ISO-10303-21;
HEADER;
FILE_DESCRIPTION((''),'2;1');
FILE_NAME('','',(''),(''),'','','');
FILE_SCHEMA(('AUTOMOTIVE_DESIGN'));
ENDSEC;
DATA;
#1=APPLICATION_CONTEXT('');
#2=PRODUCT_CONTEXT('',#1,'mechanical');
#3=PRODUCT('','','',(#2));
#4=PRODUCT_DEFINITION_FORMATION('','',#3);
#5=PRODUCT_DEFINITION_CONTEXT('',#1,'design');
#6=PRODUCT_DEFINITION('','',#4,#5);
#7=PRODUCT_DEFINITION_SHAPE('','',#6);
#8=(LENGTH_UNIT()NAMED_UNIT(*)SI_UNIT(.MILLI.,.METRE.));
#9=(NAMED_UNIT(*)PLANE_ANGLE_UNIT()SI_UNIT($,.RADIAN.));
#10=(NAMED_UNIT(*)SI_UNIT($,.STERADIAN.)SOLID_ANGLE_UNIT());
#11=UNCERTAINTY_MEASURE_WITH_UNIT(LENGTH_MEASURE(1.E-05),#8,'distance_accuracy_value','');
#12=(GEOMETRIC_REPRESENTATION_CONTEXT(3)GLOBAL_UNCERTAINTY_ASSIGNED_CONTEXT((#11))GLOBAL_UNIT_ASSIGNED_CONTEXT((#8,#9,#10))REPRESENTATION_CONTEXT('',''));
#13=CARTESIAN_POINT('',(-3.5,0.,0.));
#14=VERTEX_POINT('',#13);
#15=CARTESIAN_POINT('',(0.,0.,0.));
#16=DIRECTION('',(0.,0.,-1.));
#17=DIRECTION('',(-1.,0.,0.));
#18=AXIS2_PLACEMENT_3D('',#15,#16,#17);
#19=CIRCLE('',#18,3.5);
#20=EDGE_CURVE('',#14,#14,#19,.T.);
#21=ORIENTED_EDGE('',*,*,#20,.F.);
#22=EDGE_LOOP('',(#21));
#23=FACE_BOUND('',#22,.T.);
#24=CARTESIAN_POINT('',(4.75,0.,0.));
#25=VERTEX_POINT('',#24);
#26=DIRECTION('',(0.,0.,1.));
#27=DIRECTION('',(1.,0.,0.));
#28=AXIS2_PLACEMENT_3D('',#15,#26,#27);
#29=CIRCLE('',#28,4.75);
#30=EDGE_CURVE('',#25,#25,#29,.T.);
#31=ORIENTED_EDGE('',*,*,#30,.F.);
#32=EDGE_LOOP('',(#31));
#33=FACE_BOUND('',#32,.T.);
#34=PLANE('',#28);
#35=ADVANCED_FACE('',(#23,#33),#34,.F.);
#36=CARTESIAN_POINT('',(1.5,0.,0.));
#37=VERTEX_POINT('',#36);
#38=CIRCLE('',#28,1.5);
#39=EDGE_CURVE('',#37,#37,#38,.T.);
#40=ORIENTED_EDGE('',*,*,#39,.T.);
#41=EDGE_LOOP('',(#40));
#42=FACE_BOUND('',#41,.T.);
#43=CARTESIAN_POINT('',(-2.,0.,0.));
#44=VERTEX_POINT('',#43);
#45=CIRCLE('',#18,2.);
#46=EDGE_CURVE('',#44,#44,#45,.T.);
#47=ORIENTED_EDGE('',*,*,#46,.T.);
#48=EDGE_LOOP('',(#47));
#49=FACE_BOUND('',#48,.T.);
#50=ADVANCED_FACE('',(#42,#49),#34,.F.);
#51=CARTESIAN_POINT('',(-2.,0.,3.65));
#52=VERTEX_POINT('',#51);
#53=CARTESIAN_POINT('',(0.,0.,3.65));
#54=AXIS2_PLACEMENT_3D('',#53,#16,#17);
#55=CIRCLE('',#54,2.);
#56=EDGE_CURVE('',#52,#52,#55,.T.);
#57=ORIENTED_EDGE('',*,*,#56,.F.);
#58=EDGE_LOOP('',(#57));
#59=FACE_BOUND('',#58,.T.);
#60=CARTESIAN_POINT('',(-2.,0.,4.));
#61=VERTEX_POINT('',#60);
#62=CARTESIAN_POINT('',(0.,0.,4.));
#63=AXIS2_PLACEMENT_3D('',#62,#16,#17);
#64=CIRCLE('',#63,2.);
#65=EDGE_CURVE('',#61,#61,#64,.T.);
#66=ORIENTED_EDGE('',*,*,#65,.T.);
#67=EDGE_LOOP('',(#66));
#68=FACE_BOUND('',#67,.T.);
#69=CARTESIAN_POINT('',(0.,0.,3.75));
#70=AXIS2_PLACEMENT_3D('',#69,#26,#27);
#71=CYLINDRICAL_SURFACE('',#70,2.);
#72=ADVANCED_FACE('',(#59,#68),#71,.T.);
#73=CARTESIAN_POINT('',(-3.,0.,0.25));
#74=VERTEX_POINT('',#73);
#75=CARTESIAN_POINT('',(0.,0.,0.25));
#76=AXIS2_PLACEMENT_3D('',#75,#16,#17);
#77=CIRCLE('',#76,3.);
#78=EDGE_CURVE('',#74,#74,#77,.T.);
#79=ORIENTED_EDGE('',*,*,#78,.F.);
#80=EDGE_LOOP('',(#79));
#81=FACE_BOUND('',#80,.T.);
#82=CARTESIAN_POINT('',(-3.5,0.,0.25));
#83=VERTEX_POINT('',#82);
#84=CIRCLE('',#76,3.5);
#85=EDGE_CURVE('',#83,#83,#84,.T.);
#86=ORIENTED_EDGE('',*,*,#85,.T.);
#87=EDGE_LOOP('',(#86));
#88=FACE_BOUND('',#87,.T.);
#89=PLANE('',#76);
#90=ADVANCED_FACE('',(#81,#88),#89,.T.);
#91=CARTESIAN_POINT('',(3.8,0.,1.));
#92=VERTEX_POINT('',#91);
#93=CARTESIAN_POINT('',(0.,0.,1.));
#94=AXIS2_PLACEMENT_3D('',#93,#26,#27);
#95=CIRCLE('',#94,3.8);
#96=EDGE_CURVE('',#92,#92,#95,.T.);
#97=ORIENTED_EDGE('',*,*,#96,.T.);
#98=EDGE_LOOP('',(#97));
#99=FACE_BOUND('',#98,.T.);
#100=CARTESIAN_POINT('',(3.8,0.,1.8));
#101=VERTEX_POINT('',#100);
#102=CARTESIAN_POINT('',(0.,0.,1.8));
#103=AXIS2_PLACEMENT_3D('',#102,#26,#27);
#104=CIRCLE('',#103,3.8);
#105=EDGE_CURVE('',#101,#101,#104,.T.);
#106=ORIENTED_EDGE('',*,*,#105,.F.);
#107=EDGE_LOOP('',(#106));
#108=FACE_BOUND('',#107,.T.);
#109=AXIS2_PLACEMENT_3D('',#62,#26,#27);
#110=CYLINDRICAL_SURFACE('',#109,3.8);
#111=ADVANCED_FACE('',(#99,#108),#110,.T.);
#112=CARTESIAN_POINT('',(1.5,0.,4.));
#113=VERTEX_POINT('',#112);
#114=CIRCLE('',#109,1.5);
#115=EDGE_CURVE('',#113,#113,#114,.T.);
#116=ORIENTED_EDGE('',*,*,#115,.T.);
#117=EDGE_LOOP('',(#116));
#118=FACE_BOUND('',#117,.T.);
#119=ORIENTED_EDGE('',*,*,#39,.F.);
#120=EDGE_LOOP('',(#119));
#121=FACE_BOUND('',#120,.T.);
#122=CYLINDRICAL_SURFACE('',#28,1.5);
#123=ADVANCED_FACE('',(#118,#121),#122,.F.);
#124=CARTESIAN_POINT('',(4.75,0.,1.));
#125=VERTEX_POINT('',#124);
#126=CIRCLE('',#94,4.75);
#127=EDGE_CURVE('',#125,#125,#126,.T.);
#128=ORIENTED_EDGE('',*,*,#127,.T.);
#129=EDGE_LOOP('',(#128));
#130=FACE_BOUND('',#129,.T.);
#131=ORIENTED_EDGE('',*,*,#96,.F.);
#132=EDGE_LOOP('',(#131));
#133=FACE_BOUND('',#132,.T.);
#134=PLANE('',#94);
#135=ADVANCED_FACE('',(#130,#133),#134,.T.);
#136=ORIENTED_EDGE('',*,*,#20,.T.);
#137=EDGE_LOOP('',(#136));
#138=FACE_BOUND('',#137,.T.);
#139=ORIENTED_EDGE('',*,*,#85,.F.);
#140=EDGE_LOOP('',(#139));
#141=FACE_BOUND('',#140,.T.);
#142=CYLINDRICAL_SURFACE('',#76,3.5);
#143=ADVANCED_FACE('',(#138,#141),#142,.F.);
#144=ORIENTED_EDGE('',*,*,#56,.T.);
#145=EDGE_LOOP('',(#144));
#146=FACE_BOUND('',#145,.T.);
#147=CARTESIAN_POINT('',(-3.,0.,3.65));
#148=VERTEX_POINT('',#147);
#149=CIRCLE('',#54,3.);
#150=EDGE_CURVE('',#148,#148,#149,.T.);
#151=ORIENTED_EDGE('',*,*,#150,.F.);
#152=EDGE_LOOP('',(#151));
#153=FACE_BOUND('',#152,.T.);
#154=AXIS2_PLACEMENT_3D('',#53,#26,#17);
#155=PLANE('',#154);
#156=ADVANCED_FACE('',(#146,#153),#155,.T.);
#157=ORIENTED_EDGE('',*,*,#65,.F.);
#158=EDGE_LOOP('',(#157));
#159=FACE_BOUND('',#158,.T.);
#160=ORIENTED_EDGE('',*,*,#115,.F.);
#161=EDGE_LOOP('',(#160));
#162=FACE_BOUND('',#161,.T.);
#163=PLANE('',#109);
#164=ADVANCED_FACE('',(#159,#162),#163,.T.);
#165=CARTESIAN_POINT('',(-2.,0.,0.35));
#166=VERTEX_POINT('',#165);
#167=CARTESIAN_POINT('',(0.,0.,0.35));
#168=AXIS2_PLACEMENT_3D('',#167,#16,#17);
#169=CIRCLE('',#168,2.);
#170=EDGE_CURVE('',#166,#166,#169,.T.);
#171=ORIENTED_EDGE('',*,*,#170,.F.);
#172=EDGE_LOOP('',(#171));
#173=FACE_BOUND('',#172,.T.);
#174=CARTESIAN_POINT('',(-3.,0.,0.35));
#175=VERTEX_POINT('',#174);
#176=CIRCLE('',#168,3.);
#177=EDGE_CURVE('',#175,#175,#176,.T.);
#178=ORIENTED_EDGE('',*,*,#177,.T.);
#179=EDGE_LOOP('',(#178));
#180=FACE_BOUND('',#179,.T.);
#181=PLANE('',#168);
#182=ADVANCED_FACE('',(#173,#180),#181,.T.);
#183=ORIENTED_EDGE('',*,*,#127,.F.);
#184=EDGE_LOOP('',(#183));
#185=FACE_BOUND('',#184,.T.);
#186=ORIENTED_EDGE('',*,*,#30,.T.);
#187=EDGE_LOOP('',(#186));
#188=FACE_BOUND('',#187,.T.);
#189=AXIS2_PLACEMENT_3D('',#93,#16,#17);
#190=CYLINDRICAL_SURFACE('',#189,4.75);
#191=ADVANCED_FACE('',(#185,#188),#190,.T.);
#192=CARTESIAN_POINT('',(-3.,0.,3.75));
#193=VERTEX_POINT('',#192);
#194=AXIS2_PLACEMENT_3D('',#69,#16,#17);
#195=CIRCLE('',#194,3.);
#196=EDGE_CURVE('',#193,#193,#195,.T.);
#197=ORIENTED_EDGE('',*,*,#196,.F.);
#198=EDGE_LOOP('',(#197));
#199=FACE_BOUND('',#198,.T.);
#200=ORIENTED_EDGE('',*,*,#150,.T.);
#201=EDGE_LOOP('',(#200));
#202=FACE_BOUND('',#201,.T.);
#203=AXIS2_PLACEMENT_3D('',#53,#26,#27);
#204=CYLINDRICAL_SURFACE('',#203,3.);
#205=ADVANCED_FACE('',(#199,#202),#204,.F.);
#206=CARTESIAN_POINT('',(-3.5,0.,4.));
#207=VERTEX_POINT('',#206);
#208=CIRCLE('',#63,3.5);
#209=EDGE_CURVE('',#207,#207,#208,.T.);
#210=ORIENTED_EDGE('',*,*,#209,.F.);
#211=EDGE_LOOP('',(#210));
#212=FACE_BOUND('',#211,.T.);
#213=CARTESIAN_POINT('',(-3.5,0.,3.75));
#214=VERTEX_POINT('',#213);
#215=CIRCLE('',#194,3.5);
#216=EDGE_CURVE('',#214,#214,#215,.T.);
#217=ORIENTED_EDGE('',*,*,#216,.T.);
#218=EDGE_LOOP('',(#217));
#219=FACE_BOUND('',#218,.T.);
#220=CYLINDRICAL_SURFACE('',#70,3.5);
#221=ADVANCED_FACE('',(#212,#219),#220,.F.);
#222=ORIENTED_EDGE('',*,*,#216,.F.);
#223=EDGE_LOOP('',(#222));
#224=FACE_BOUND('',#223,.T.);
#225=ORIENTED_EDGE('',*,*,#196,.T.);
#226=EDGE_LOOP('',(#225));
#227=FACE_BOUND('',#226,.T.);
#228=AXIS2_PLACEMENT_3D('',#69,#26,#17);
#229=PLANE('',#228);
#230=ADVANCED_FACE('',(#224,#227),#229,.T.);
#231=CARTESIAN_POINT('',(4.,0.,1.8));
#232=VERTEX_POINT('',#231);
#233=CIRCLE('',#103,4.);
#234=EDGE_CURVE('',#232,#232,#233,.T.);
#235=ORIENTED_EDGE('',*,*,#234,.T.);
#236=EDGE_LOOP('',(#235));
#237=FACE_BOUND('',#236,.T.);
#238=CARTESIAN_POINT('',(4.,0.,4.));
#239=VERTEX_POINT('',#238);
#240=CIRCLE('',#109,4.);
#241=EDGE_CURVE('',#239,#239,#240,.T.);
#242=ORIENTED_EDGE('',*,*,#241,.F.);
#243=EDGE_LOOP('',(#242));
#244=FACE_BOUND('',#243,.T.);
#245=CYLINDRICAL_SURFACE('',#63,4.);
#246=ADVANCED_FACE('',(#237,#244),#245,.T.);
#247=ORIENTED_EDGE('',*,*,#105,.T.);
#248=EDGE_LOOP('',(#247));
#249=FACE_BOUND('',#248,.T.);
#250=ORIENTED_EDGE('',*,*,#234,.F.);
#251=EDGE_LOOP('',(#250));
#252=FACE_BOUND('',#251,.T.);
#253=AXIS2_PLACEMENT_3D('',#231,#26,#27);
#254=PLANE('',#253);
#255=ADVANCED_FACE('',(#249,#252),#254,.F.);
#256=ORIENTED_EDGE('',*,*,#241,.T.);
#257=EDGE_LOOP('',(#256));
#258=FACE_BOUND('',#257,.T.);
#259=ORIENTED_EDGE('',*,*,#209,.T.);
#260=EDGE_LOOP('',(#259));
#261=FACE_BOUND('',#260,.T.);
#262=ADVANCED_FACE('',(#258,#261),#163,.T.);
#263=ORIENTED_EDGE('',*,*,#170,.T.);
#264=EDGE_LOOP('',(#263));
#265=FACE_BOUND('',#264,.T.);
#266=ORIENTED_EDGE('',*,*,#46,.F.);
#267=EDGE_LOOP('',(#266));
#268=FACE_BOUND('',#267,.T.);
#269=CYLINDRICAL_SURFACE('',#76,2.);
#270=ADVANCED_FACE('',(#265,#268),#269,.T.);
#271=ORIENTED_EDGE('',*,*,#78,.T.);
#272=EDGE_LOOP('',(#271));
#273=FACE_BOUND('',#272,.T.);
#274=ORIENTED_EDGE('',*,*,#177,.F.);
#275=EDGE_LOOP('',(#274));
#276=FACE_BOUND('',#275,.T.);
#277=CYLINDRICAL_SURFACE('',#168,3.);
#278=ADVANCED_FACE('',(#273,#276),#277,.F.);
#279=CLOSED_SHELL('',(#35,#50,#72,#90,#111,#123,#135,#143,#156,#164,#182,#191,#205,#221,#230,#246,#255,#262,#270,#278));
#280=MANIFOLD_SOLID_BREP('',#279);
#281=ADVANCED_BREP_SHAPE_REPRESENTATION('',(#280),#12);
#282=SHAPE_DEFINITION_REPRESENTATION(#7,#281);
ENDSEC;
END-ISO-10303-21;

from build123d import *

# Parameters (mm, degrees)
SCHIZZO1_R                   = 4
ESTRUSIONE_ESTRUSIONE1_DEPTH = 4
SCHIZZO2_R                   = 1.5
TAGLIO_ESTRUSIONE1_DEPTH     = 5
SCHIZZO3_R                   = 3.5
SCHIZZO3_R_2                 = 2
TAGLIO_ESTRUSIONE2_DEPTH     = 0.25
SCHIZZO4_R                   = 3
SCHIZZO4_R_2                 = 2
TAGLIO_ESTRUSIONE3_DEPTH     = 0.1
SCHIZZO5_R                   = 4.75
SCHIZZO5_R_2                 = 4
ESTRUSIONE_ESTRUSIONE2_DEPTH = 1
SCHIZZO6_W                   = 0.2
SCHIZZO6_H                   = 0.8


with BuildPart() as part:
    # Schizzo1 → Estrusione-Estrusione1 (new body)
    with BuildSketch(Plane.XY):
        Circle(SCHIZZO1_R)
    extrude(amount=ESTRUSIONE_ESTRUSIONE1_DEPTH)

    # Schizzo2 → Taglio-Estrusione1 (cut, through all)
    with BuildSketch(Plane.XY.offset(4)):
        Circle(SCHIZZO2_R)
    extrude(amount=-TAGLIO_ESTRUSIONE1_DEPTH, mode=Mode.SUBTRACT)

    # Schizzo3 → Taglio-Estrusione2 (cut)
    with BuildSketch(Plane(origin=(0, 0, 0), x_dir=(-1, 0, 0), z_dir=(0, 0, -1))):
        Circle(SCHIZZO3_R)
        Circle(SCHIZZO3_R_2, mode=Mode.SUBTRACT)
    taglio_estrusione2 = extrude(amount=-TAGLIO_ESTRUSIONE2_DEPTH, mode=Mode.SUBTRACT)

    # Schizzo4 → Taglio-Estrusione3 (cut)
    with BuildSketch(Plane(origin=(0, 0, 0.25), x_dir=(-1, 0, 0), z_dir=(0, 0, -1))):
        Circle(SCHIZZO4_R)
        Circle(SCHIZZO4_R_2, mode=Mode.SUBTRACT)
    taglio_estrusione3 = extrude(amount=-TAGLIO_ESTRUSIONE3_DEPTH, mode=Mode.SUBTRACT)

    # Specchia1: Taglio-Estrusione2, Taglio-Estrusione3 across plane
    add(taglio_estrusione2.mirror(Plane.XY.offset(2)), mode=Mode.SUBTRACT)
    add(taglio_estrusione3.mirror(Plane.XY.offset(2)), mode=Mode.SUBTRACT)

    # Schizzo5 → Estrusione-Estrusione2 (add)
    with BuildSketch(Plane.XY):
        Circle(SCHIZZO5_R)
        Circle(SCHIZZO5_R_2, mode=Mode.SUBTRACT)
    extrude(amount=ESTRUSIONE_ESTRUSIONE2_DEPTH)

    # Schizzo6 → Taglia-Rivoluzione1 (revolve, cut)
    with BuildSketch(Plane(origin=(0, 0, 0), x_dir=(1, 0, 0), z_dir=(0, 1, 0))):
        with Locations((3.9, -1.4)):
            Rectangle(SCHIZZO6_W, SCHIZZO6_H)
    revolve(axis=Axis((0, 0, 4), (0, 0, -1)), mode=Mode.SUBTRACT)


solid = part.part
